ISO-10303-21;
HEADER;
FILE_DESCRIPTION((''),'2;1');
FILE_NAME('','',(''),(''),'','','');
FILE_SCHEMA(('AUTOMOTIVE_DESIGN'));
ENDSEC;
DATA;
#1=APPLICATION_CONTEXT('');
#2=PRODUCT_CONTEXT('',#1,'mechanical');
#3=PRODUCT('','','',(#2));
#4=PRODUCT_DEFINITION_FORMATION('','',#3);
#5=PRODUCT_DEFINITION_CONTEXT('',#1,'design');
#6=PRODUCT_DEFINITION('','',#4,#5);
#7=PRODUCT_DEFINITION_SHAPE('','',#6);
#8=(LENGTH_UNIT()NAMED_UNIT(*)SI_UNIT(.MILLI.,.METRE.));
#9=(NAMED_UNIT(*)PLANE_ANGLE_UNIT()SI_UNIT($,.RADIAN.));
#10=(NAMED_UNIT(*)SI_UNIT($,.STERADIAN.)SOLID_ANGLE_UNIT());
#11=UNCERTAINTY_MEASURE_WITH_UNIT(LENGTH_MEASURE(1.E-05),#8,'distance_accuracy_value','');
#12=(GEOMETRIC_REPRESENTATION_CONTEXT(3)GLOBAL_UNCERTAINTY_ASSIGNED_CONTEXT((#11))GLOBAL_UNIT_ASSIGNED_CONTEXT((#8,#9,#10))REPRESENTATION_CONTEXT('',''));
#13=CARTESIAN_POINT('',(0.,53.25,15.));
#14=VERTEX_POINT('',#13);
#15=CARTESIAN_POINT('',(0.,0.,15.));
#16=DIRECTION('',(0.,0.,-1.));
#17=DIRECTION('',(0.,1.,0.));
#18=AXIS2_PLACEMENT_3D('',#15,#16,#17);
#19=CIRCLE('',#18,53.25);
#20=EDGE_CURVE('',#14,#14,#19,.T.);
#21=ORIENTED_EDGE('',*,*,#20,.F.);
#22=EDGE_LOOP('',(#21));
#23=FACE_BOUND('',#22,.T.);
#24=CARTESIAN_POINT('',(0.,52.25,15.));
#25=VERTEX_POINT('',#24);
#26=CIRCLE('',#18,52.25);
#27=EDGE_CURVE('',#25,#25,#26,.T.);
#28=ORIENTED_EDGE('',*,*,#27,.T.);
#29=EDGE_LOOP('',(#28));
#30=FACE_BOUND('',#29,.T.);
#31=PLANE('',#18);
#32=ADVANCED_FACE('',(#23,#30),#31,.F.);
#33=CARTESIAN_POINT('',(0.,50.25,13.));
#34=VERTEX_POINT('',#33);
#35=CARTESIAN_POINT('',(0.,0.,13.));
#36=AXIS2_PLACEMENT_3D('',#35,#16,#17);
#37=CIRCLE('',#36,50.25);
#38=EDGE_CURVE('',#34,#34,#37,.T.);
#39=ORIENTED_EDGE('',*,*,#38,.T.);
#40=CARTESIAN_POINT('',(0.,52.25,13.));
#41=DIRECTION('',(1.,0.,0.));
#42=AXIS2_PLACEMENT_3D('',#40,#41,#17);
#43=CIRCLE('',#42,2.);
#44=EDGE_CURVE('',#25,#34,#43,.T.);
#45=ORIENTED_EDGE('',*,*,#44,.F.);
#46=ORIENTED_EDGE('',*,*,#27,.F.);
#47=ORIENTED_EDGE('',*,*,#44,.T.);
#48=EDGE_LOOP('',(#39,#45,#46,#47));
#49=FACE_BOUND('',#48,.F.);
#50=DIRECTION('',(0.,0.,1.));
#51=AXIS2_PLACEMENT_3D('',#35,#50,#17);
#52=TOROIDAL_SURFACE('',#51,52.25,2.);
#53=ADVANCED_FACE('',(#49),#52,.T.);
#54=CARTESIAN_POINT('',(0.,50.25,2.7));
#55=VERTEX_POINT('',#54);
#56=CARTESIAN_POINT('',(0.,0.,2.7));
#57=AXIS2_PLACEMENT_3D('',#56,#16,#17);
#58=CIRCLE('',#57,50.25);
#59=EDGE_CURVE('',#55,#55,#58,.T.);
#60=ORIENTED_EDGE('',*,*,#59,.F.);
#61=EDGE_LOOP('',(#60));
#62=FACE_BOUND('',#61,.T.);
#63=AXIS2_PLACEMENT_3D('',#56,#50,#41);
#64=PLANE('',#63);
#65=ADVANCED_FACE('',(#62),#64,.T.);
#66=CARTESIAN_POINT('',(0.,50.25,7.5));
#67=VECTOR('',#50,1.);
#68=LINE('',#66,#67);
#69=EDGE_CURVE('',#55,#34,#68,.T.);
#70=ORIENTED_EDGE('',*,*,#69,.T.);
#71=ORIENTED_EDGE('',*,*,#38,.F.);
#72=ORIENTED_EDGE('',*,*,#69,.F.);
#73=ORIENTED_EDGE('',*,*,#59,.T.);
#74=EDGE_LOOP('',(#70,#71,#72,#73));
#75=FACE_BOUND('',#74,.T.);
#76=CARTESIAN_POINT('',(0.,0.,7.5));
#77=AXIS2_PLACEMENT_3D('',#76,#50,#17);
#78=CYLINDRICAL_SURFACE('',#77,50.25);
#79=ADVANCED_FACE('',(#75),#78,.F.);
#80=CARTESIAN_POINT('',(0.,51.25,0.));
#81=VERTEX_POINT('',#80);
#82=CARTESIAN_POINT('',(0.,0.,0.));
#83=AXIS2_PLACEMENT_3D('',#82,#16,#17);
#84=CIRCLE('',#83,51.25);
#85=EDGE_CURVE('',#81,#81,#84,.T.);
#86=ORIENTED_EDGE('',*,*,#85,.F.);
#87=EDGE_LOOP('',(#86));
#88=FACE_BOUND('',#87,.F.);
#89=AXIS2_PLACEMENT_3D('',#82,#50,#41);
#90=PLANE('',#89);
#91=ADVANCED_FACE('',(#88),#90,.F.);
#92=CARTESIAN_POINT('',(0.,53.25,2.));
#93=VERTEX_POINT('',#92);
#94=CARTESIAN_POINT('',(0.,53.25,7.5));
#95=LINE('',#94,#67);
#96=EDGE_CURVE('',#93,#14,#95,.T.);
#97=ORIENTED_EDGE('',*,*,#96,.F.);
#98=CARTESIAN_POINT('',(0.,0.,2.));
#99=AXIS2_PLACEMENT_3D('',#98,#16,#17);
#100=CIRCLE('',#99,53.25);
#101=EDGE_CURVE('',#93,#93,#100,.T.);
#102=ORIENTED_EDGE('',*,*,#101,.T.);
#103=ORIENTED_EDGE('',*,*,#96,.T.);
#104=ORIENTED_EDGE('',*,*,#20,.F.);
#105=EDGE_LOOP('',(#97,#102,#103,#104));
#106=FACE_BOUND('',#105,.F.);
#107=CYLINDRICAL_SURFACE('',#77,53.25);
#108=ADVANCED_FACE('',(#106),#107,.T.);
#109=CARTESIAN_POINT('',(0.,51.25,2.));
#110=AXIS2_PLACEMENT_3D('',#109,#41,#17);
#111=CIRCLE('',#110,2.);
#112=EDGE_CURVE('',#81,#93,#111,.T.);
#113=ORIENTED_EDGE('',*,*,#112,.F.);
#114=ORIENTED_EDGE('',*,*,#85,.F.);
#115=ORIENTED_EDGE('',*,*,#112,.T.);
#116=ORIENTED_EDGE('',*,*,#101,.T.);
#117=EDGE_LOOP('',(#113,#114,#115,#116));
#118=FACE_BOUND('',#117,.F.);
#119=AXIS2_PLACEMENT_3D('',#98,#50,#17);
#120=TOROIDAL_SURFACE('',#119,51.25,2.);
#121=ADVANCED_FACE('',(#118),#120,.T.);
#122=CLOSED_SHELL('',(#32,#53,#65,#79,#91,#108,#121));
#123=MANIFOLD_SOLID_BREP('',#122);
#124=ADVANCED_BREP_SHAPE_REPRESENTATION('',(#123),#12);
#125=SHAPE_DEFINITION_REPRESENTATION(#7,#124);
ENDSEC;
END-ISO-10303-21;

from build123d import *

# Parameters (mm, degrees)
SKETCH_R         = 53
PAD_DEPTH        = 2.7
SKETCH001_W      = 3
SKETCH001_H      = 15
REVOLUTION_ANGLE = 360
FILLET_R         = 2
FILLET001_R      = 2


with BuildPart() as part:
    # Sketch → Pad (new body)
    with BuildSketch(Plane.XY):
        Circle(SKETCH_R)
    extrude(amount=PAD_DEPTH)

    # Sketch001 → Revolution (revolve, symmetric)
    with BuildSketch(Plane(origin=(0, 50.25, 0), x_dir=(0, 1, 0), z_dir=(1, 0, 0))) as revolution_sk:
        with Locations((1.5, 7.5)):
            Rectangle(SKETCH001_W, SKETCH001_H)
    revolve(axis=Axis((0, 0, 0), (0, 0, 1)), revolution_arc=REVOLUTION_ANGLE / 2)
    revolve(revolution_sk.sketch, axis=Axis((0, 0, 0), (0, 0, -1)), revolution_arc=REVOLUTION_ANGLE / 2)

    # Fillet
    fillet_edges = [part.edges().sort_by_distance(p)[0] for p in [
        (0, 53.25, 0),
    ]]
    fillet(fillet_edges, radius=FILLET_R)

    # Fillet001
    fillet001_edges = [part.edges().sort_by_distance(p)[0] for p in [
        (0, 50.25, 15),
    ]]
    fillet(fillet001_edges, radius=FILLET001_R)


solid = part.part
